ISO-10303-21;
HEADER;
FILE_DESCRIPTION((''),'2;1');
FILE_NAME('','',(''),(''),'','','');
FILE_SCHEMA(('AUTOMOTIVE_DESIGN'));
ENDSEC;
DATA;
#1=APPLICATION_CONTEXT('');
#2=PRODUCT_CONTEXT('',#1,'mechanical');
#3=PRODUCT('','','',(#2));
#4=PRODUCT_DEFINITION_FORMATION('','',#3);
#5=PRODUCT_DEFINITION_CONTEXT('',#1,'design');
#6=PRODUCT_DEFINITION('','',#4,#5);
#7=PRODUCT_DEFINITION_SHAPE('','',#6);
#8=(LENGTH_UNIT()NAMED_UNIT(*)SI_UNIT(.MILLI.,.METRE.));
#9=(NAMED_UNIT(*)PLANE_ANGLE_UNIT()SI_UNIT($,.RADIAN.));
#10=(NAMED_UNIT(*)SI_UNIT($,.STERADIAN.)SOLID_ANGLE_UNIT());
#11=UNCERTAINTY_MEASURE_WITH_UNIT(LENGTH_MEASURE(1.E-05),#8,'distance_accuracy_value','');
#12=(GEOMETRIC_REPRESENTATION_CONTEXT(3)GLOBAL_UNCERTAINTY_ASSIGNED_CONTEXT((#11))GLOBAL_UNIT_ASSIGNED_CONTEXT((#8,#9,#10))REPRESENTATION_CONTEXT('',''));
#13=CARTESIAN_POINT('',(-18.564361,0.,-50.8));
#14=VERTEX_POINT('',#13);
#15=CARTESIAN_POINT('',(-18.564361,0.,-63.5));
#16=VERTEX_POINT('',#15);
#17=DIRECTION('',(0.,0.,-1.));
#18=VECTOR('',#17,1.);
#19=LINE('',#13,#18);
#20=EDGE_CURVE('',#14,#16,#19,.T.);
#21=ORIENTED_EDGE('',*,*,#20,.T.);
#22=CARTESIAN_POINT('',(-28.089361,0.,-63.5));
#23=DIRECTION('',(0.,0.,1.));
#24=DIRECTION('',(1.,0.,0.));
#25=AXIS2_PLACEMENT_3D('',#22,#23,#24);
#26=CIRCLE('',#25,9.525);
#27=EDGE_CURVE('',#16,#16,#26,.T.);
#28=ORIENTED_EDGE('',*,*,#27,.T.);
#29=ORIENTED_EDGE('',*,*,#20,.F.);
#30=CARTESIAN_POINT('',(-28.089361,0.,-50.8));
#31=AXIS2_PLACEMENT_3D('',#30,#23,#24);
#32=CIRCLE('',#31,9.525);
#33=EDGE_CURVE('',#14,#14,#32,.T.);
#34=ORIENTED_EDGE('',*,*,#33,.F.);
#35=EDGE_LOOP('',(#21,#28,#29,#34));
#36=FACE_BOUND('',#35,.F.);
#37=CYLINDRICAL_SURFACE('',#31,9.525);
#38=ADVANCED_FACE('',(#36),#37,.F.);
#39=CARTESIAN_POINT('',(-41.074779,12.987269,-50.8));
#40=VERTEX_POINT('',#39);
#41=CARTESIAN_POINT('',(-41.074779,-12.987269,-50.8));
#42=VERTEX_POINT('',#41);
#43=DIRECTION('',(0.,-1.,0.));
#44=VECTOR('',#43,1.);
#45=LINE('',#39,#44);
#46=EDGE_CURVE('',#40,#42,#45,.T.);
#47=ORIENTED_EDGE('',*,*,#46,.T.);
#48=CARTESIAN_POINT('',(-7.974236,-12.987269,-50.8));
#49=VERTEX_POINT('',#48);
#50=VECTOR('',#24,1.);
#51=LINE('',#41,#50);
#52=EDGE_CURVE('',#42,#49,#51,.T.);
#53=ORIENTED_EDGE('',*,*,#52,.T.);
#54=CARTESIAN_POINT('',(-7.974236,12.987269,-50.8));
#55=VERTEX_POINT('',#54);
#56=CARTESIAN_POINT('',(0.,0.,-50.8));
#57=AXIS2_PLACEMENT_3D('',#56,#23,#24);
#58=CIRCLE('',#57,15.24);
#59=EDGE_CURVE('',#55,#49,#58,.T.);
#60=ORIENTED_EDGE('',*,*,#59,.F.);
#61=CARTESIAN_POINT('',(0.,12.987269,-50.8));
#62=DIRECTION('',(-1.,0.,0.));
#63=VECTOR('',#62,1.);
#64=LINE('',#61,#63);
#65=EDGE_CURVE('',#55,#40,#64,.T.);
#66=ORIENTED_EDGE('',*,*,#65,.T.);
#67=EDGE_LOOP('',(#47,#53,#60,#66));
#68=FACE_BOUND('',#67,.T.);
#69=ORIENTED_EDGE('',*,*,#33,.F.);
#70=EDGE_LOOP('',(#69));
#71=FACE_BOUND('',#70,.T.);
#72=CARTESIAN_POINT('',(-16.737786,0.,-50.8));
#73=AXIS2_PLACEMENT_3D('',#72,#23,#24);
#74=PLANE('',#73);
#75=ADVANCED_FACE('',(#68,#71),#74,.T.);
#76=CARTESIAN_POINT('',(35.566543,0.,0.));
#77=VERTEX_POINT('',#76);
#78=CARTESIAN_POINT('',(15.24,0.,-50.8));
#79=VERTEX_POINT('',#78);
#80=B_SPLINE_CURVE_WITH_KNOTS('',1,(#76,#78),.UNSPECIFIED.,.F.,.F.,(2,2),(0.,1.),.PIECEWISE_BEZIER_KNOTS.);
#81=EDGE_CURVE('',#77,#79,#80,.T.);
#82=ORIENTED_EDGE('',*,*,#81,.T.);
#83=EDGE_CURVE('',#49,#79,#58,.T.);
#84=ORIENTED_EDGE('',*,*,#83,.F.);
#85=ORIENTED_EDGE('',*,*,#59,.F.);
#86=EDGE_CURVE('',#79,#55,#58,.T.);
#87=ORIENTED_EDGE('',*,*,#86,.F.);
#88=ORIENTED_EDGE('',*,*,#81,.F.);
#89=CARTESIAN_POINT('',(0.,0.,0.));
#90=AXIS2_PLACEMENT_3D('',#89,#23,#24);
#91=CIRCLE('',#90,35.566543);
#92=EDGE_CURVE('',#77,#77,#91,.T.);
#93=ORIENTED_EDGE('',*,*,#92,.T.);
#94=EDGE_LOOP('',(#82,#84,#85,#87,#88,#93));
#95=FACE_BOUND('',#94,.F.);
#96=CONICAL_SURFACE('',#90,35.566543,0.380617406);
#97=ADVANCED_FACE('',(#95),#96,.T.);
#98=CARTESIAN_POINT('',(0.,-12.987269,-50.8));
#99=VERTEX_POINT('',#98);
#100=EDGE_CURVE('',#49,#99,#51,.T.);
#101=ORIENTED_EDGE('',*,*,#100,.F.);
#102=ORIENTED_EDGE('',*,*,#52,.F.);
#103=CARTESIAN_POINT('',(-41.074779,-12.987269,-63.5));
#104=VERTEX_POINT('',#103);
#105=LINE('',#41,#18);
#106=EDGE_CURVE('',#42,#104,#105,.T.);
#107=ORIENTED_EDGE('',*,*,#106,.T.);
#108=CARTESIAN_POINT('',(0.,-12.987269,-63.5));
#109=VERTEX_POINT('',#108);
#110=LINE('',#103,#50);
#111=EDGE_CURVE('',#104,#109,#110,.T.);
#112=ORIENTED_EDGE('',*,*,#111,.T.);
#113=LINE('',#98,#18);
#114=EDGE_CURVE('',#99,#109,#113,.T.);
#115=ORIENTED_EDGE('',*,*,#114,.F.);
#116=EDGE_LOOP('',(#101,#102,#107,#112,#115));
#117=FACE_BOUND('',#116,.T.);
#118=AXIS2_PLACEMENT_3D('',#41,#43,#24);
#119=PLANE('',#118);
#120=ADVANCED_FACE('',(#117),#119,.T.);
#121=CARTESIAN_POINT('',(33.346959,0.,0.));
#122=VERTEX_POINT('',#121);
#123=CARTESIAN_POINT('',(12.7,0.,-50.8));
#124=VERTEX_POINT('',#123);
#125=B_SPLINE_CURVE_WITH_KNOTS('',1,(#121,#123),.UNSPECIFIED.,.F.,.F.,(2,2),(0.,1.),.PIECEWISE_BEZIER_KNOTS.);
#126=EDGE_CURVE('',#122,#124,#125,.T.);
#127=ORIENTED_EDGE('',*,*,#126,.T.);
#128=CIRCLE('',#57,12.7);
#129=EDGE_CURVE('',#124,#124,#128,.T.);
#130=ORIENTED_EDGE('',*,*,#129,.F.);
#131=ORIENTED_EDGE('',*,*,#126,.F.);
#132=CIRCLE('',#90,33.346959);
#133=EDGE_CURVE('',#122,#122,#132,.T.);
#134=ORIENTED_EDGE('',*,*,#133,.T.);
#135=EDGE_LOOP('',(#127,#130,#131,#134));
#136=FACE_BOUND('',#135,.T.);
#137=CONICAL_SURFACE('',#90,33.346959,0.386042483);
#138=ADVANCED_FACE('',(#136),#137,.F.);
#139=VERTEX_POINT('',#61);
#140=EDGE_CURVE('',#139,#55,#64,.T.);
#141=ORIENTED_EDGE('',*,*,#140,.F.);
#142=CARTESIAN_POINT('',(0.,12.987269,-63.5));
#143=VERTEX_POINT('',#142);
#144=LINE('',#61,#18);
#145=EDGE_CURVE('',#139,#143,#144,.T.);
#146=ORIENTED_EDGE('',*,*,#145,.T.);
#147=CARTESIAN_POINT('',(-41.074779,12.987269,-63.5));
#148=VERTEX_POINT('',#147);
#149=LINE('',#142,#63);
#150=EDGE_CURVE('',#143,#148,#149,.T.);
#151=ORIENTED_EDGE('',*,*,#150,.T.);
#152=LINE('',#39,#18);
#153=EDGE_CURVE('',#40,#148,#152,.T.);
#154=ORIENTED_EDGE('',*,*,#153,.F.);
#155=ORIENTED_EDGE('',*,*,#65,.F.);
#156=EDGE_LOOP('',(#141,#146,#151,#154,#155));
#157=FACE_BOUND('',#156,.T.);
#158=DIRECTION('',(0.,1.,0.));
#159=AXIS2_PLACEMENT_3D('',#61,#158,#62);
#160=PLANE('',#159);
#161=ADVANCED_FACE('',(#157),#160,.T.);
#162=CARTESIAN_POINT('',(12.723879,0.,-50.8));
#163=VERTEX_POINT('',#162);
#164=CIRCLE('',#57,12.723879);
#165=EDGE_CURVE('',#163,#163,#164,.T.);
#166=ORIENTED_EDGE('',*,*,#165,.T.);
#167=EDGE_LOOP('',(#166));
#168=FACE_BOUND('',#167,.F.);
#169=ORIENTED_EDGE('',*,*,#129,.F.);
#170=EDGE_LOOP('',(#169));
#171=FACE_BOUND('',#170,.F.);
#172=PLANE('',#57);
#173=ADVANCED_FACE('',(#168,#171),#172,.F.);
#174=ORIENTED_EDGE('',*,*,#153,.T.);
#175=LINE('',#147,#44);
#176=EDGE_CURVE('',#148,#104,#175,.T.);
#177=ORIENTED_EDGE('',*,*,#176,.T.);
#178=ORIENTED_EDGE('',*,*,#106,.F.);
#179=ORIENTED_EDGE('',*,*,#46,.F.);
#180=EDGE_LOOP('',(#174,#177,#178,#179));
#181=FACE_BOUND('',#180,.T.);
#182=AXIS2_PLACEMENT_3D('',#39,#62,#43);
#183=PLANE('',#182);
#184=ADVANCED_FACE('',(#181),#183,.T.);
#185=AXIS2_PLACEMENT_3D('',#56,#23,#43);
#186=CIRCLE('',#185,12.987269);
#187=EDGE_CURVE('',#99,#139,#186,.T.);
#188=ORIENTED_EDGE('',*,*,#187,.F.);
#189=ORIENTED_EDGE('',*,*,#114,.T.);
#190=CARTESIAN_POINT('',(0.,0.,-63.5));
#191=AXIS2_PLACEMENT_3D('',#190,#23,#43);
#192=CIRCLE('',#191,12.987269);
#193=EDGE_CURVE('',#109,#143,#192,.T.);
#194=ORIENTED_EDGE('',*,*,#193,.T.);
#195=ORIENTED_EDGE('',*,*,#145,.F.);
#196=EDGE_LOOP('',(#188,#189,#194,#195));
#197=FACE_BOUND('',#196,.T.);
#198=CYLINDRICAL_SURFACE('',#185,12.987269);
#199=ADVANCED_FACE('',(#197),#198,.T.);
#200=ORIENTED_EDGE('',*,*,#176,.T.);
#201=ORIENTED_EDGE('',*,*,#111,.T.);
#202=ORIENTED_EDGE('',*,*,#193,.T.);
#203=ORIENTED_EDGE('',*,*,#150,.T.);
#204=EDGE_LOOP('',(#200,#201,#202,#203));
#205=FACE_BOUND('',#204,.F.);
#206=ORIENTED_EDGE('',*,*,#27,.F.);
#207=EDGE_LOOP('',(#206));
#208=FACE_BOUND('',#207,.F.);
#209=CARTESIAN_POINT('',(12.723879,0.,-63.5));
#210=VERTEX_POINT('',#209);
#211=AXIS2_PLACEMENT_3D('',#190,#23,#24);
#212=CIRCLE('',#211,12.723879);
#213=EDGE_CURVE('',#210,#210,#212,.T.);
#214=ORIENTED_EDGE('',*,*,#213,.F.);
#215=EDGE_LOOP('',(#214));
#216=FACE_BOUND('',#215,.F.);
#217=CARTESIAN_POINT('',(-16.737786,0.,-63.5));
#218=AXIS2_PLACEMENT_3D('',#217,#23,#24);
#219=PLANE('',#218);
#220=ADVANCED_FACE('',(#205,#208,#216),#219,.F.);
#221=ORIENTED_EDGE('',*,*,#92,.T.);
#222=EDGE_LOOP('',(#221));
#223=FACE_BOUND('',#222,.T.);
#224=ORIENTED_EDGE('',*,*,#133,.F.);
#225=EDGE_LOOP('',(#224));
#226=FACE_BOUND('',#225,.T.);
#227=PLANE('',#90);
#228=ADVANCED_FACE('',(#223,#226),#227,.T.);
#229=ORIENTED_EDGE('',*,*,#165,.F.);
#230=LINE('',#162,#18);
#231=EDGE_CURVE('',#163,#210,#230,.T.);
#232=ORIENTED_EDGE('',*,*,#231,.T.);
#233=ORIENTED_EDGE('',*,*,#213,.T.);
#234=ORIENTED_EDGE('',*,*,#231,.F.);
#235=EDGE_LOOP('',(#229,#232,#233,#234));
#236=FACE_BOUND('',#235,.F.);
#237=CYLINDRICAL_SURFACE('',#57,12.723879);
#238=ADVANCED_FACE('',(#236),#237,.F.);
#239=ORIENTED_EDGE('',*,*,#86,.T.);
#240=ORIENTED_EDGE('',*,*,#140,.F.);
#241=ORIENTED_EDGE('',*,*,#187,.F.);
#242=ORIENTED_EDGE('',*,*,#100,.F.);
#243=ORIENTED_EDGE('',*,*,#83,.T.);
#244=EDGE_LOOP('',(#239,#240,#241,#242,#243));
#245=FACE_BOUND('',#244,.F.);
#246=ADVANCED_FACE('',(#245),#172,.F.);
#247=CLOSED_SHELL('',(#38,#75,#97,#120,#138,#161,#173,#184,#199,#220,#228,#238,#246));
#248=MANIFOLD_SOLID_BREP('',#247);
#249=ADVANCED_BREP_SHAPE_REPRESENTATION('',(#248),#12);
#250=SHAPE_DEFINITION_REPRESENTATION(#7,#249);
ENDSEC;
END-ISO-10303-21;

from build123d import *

# Parameters (mm, degrees)
F0_R     = 35.566543
F2_R     = 15.24
F4_R     = 33.346959
F5_R     = 12.7
F7_R     = 9.525
F7_R_2   = 12.723879
F8_DEPTH = 12.7


with BuildPart() as f3:
    # F0 (on Top) → F3 section 0
    with BuildSketch(Plane.XY):
        Circle(F0_R)
    # F2 (on offset) → F3 section 1
    with BuildSketch(Plane.XY.offset(-50.8)):
        Circle(F2_R)
    loft()

    # F4 (on Top) → F6 section 0
    with BuildSketch(Plane.XY):
        Circle(F4_R)
    # F5 (on offset) → F6 section 1
    with BuildSketch(Plane.XY.offset(-50.8)):
        Circle(F5_R)
    loft(mode=Mode.SUBTRACT)

    # F7 (on offset) → F8 (join)
    with BuildSketch(Plane.XY.offset(-50.8)):
        with BuildLine():
            Line((-0.354267, -12.987269), (0, -12.987269))
            ThreePointArc((0, -12.987269), (12.987269, 0), (0, 12.987269))
            Line((0, 12.987269), (-0.354267, 12.987269))
            Line((-0.354267, 12.987269), (-41.074779, 12.987269))
            Line((-41.074779, 12.987269), (-41.074779, -12.987269))
            Line((-41.074779, -12.987269), (-0.354267, -12.987269))
        make_face()
        with Locations((-28.089361, 0)):
            Circle(F7_R, mode=Mode.SUBTRACT)
        Circle(F7_R_2, mode=Mode.SUBTRACT)
    extrude(amount=-F8_DEPTH)


solid = f3.part
